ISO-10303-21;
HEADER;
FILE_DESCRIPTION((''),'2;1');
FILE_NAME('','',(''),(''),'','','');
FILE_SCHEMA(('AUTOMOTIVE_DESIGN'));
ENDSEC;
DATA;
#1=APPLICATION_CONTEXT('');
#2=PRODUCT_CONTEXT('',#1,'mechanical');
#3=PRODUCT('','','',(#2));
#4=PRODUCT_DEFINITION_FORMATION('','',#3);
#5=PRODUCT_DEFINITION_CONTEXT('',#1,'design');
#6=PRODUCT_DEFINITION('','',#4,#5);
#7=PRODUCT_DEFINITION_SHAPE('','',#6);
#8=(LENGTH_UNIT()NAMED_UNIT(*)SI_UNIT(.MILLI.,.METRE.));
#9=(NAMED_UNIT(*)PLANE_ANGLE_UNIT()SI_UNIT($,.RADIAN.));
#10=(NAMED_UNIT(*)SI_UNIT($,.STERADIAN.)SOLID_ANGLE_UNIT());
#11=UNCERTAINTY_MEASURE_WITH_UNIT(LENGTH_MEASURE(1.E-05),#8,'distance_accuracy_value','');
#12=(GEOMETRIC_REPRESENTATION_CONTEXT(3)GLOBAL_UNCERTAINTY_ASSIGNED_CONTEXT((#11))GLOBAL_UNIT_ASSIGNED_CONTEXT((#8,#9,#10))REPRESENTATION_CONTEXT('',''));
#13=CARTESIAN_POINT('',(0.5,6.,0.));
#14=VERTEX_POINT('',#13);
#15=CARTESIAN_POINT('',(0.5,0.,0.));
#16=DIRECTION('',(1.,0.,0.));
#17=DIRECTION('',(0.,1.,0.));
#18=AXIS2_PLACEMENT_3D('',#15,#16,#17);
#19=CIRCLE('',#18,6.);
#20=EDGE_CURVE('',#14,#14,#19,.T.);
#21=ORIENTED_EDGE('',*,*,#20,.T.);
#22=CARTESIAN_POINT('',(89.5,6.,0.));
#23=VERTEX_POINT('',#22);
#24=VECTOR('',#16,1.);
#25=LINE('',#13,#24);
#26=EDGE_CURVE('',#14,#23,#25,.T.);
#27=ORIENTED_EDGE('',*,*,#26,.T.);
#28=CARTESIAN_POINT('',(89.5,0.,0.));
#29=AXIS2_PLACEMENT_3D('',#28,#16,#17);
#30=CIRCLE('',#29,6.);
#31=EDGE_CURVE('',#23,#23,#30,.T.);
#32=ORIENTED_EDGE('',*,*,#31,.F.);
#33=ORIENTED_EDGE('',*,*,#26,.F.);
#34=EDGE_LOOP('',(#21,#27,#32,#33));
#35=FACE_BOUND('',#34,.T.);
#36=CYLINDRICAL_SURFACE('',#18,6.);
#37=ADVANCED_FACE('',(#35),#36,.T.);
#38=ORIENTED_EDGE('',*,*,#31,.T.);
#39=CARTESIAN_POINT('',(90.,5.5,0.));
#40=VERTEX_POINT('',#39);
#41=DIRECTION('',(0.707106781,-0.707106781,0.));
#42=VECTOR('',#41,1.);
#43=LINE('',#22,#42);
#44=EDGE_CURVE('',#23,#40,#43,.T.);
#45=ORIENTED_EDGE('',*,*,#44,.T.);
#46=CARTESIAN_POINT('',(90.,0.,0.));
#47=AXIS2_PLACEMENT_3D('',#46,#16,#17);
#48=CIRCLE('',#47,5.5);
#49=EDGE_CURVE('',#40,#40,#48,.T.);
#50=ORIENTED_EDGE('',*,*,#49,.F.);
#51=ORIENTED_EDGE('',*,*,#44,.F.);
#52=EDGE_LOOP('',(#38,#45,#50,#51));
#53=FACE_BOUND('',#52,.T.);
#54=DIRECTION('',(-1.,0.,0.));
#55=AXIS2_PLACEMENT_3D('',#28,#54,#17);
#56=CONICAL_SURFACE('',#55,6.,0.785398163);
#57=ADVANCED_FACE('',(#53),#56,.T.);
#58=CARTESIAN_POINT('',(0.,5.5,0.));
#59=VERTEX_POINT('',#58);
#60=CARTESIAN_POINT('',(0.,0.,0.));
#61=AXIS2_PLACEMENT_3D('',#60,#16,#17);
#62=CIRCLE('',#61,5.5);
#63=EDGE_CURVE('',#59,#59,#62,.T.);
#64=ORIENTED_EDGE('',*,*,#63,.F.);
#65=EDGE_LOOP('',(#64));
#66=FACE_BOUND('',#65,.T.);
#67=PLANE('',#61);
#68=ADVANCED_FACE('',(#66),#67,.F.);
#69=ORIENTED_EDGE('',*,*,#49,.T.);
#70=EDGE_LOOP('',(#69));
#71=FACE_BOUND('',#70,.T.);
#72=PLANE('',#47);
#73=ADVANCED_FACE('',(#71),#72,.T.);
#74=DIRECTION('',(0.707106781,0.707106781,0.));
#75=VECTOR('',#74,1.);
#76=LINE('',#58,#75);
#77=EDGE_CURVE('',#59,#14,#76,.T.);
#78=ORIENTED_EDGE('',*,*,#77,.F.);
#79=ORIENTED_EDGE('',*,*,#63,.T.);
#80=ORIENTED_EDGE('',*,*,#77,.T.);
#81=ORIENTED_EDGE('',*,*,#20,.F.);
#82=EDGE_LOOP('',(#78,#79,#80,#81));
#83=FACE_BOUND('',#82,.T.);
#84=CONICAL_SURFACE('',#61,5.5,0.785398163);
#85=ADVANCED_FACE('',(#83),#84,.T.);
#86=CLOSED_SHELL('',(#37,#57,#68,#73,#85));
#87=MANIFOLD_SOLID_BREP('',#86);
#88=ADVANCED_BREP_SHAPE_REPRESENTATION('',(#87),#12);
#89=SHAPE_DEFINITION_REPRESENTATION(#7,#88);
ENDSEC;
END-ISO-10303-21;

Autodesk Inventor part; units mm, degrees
ref_plane "YZ Plane" through (0, 0, 0) normal (1, 0, 0) x (0, 1, 0)
ref_plane "XZ Plane" through (0, 0, 0) normal (0, 1, 0) x (-1, 0, 0)
ref_plane "XY Plane" through (0, 0, 0) normal (0, 0, 1) x (1, 0, 0)
sketch "Sketch_1" plane through (0, 0, 0) normal (0, 0, 1) x (1, 0, 0)
  line L0 (90, 0) -> (0, 0)
  line L1 (0, 0) -> (0, 5.5)
  line L2 (0, 5.5) -> (0.5, 6)
  line L3 (0.5, 6) -> (89.5, 6)
  line L4 (89.5, 6) -> (90, 5.5)
  line L5 (90, 5.5) -> (90, 0)
  line L6 (90, 0) -> (0, 0)
revolve "Revolution1" add sketch "Sketch_1" angle 360 about axis through (90, 0, 0) along (1, 0, 0)
properties part number "SSS1-10"
